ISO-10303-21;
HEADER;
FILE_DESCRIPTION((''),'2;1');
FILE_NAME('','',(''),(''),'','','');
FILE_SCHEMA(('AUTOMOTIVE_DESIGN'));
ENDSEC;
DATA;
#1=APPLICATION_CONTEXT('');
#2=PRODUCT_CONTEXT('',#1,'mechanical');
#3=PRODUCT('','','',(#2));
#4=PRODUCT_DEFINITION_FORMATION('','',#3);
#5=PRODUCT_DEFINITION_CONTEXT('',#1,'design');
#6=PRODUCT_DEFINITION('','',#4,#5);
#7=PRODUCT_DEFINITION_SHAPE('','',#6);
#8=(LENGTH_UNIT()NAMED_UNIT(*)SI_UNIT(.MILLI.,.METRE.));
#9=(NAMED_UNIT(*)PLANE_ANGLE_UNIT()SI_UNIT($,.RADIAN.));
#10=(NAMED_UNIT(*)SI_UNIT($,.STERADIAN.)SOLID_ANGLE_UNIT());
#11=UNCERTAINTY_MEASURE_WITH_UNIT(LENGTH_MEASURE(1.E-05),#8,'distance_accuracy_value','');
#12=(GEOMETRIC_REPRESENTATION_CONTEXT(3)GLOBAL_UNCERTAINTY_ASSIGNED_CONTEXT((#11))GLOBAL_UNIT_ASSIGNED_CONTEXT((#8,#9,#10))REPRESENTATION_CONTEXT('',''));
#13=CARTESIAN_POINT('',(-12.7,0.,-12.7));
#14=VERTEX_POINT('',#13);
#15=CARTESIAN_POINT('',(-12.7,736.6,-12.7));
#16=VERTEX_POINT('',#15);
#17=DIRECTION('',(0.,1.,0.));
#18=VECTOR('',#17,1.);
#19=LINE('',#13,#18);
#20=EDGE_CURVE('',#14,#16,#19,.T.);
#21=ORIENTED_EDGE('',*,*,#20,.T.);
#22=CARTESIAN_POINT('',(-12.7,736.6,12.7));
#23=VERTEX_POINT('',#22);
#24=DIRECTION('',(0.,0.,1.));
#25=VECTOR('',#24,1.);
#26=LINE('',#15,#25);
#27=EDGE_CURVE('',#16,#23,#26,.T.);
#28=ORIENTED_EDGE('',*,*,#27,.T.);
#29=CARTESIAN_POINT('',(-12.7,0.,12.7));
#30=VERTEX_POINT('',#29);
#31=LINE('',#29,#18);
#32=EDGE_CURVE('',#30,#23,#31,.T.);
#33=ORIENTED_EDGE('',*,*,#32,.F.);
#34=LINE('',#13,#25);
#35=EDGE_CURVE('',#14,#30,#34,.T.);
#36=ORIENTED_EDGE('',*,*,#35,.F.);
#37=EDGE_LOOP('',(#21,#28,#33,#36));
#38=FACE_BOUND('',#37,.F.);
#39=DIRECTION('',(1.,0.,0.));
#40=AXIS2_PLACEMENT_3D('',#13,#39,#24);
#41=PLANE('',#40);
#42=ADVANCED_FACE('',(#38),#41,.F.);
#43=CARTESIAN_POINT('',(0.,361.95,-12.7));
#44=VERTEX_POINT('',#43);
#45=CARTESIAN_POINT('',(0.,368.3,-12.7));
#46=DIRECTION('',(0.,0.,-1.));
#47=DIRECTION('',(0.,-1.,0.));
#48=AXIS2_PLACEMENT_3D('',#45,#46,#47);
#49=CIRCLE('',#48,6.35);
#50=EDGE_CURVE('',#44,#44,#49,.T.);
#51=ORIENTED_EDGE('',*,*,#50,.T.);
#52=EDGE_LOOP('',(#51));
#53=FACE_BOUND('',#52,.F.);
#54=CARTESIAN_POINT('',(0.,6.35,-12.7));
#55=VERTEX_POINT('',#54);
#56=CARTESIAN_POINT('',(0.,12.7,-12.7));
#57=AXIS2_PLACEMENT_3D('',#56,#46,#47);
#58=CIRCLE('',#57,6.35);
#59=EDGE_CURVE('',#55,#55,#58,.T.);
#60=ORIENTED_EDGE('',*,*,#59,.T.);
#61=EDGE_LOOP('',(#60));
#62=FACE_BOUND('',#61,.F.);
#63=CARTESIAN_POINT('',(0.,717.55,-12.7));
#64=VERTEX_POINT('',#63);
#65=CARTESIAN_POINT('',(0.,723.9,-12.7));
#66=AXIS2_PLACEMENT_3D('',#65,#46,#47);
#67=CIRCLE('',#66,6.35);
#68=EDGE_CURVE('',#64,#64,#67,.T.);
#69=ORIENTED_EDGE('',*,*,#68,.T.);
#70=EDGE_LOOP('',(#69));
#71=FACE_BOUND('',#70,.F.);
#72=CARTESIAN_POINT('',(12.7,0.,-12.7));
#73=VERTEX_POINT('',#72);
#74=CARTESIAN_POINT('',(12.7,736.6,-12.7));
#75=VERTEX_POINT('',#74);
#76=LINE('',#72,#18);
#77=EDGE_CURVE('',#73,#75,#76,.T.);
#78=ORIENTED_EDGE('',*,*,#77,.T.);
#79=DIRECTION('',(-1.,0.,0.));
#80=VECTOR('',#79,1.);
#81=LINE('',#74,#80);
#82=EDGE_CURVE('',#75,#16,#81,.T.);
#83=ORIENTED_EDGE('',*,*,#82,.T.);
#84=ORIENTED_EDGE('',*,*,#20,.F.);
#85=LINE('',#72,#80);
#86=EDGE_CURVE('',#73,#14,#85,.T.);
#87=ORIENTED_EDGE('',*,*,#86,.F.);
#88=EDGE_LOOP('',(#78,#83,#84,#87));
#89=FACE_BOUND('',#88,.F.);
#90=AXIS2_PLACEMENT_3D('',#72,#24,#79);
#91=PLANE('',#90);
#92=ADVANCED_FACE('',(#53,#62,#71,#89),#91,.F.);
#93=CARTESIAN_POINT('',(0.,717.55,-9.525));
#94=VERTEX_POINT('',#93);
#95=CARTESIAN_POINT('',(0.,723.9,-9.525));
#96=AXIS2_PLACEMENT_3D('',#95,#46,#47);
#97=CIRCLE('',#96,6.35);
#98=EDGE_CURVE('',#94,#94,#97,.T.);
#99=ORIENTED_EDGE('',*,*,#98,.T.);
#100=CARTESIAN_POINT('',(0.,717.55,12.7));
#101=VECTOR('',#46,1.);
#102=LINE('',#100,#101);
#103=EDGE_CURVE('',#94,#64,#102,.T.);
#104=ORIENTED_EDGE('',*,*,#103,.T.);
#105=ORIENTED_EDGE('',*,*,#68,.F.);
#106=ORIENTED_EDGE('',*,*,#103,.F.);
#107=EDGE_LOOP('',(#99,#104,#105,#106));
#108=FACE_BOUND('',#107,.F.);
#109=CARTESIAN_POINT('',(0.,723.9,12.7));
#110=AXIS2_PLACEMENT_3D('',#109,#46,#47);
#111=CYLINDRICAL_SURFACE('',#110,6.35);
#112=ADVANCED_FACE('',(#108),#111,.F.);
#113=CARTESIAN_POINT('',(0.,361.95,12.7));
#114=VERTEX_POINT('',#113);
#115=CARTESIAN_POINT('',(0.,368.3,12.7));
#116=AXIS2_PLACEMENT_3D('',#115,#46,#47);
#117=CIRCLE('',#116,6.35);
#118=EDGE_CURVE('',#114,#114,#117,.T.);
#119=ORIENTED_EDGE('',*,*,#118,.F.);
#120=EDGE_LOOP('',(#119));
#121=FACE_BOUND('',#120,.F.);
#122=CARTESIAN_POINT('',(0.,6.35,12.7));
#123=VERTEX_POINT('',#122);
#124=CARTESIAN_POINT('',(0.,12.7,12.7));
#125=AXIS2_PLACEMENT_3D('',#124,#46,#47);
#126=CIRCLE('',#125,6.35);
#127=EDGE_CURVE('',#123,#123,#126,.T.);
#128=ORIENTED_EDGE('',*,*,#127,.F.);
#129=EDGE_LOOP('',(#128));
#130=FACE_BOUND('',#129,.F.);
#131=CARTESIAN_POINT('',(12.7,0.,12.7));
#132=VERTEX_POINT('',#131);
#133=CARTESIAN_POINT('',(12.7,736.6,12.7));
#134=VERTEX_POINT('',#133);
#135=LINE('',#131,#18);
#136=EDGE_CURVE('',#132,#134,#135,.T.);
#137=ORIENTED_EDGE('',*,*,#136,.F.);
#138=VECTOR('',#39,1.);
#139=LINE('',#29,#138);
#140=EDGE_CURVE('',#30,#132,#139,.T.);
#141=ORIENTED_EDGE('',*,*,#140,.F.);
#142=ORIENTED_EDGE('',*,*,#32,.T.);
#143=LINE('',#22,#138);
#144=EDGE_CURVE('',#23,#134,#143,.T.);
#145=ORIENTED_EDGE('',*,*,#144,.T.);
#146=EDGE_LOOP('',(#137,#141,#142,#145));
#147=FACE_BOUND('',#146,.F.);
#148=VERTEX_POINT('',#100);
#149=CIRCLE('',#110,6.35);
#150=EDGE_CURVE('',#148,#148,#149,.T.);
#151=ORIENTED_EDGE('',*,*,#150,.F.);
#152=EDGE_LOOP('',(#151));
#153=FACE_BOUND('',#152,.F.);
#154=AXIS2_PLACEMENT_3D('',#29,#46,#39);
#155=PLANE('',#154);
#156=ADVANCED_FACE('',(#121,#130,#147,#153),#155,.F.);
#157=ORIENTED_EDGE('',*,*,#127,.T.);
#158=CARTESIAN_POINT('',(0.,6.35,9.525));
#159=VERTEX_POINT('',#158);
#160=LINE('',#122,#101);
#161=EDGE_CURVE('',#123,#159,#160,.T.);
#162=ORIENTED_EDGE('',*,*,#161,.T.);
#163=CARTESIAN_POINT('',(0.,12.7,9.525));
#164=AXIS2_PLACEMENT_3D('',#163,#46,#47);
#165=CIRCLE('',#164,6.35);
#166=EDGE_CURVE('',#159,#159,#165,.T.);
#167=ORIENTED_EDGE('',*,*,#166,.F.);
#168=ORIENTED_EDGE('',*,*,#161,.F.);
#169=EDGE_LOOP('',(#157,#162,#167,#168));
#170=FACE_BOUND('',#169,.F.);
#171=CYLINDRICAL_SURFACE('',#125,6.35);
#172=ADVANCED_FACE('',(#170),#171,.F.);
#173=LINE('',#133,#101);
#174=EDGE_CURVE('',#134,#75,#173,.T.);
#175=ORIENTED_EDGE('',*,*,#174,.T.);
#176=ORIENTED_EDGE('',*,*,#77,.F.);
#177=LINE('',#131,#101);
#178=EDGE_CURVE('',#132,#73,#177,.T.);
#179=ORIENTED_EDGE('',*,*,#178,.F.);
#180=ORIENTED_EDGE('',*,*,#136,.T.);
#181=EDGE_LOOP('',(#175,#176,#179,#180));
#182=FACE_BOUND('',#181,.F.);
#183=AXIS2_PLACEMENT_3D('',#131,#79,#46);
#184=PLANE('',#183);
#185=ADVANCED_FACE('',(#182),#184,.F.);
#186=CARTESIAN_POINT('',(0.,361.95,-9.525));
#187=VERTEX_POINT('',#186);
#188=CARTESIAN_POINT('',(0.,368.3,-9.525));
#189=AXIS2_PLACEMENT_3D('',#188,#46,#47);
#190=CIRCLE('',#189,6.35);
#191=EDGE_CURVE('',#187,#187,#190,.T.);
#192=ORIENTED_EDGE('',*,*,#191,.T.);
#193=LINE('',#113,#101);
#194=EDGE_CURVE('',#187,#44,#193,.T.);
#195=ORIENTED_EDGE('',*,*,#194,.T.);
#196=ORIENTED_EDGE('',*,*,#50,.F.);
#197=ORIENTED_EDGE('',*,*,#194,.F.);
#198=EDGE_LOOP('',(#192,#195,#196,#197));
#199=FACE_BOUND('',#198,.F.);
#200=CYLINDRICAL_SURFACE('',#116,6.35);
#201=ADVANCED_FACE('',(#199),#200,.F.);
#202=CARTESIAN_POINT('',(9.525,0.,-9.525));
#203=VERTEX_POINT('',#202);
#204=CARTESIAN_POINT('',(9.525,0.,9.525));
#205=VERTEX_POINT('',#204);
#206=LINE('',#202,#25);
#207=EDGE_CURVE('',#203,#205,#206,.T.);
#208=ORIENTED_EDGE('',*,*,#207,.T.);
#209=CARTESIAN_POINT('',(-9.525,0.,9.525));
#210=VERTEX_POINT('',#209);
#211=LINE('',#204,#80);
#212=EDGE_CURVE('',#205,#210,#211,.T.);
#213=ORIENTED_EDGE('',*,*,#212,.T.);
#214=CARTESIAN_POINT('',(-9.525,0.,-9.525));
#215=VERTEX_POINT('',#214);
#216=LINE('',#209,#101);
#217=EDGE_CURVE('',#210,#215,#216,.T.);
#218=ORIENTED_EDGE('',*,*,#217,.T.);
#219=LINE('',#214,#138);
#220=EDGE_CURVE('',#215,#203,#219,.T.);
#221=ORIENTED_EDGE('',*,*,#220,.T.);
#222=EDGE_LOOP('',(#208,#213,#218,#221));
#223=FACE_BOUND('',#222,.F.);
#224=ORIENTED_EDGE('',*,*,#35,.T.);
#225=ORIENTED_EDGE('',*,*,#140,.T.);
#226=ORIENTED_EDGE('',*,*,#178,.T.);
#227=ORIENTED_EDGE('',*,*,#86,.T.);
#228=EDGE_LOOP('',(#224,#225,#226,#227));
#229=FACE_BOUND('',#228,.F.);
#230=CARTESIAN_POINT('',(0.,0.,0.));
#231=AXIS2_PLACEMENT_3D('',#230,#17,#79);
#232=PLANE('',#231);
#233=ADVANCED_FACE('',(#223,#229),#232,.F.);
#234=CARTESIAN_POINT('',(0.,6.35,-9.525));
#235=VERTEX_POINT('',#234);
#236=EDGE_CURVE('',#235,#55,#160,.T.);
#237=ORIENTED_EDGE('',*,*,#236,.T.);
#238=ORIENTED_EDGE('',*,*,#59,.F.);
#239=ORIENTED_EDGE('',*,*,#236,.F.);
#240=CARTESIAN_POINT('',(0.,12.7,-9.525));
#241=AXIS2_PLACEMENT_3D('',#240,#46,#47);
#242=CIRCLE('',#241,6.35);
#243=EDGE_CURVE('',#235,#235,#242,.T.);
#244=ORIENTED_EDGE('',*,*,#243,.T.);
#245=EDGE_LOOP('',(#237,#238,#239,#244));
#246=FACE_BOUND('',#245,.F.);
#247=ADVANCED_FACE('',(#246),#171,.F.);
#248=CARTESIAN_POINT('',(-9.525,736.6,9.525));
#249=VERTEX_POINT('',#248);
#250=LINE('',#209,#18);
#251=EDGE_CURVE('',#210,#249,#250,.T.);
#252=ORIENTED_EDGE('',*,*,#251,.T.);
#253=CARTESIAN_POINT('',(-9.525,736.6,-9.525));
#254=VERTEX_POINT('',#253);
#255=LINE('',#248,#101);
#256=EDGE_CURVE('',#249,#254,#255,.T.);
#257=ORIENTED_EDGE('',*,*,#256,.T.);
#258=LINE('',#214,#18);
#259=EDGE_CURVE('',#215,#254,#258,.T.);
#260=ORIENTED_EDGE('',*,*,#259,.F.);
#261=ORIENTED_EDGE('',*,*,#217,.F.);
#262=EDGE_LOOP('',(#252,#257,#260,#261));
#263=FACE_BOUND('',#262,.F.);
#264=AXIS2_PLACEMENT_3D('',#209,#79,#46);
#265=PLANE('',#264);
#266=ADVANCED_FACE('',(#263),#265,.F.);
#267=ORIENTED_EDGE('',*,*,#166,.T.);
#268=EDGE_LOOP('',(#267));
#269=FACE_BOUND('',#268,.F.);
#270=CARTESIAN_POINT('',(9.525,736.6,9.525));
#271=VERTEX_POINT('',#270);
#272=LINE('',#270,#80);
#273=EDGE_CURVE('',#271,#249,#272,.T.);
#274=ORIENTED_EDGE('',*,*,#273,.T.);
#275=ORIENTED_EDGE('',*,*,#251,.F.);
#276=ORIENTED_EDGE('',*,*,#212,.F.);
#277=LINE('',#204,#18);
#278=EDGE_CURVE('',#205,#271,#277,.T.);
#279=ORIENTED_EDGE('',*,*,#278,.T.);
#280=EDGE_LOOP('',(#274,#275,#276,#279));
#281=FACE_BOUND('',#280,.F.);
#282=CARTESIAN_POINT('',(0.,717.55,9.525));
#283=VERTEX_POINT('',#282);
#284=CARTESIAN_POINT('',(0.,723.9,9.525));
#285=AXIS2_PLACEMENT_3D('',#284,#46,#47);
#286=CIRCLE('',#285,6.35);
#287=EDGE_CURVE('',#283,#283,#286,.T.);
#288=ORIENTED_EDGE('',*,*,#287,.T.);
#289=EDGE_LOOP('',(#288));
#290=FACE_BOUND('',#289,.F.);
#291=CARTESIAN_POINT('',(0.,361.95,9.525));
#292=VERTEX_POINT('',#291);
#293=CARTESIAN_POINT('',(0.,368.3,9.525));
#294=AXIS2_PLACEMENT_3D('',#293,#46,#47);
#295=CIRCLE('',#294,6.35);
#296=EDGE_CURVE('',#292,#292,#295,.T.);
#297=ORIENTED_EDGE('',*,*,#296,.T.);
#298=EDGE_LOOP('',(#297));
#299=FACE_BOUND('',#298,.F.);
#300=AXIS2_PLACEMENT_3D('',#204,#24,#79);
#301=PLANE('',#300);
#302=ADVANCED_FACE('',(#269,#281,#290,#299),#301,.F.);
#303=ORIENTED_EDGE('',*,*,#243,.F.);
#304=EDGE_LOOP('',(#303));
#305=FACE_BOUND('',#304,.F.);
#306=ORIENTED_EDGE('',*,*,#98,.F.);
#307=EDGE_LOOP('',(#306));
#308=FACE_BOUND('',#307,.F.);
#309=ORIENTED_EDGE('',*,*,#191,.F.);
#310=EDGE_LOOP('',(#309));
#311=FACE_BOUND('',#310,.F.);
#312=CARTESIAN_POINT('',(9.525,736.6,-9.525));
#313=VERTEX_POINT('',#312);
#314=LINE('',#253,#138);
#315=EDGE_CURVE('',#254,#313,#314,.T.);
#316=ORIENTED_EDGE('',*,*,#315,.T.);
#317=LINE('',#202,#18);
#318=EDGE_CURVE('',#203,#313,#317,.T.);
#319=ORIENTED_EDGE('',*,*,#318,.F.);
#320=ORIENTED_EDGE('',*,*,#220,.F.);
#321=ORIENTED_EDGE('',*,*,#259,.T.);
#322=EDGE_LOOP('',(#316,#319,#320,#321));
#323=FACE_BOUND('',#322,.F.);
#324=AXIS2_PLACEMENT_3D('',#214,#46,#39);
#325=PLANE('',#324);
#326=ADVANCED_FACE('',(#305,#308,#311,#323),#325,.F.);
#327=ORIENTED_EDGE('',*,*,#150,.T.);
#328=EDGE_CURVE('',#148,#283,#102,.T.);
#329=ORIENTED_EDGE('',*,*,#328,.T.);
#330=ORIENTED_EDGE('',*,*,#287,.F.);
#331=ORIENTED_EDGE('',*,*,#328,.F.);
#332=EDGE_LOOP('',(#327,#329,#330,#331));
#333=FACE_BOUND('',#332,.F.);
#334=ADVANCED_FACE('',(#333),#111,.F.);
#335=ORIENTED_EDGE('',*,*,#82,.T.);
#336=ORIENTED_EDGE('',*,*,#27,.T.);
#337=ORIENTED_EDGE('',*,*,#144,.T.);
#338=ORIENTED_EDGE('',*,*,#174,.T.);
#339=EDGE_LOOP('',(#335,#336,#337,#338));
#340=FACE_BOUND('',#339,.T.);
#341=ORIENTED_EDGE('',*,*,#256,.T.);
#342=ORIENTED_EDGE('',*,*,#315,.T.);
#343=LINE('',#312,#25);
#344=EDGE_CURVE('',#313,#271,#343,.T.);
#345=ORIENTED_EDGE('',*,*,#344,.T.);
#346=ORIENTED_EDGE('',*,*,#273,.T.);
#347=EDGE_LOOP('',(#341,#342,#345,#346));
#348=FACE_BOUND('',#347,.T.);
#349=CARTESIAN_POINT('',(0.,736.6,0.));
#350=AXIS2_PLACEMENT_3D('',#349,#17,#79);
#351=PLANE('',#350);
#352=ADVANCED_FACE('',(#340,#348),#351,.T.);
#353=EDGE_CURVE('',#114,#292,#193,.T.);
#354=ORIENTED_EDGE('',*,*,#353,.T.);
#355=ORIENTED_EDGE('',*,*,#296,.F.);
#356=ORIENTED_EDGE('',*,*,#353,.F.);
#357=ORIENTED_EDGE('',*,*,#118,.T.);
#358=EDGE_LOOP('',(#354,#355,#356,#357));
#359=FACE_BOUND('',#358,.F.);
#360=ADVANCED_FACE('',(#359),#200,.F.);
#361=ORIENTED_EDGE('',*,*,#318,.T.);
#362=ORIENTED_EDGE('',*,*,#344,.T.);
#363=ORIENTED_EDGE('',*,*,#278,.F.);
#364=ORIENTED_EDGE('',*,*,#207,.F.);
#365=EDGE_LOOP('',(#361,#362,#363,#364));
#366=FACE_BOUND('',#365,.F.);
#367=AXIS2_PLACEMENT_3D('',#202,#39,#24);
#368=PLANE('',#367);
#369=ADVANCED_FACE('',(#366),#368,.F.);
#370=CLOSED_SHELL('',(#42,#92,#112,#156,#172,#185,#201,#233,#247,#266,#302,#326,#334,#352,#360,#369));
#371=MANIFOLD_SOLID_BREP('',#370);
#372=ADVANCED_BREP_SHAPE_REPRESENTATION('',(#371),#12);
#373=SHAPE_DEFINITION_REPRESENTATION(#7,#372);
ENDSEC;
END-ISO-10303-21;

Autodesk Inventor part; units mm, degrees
ref_plane "YZ Plane" through (0, 0, 0) normal (1, 0, 0) x (0, 1, 0)
ref_plane "XZ Plane" through (0, 0, 0) normal (0, 1, 0) x (-1, 0, 0)
ref_plane "XY Plane" through (0, 0, 0) normal (0, 0, 1) x (1, 0, 0)
sketch "Sketch1" plane through (0, 0, 0) normal (0, 1, 0) x (-1, 0, 0)
  line L0 (12.7, 12.7) -> (-12.7, 12.7)
  line L1 (-12.7, 12.7) -> (-12.7, -12.7)
  line L2 (-12.7, -12.7) -> (12.7, -12.7)
  line L3 (12.7, -12.7) -> (12.7, 12.7)
  line L4 (-9.525, 9.525) -> (9.525, 9.525)
  line L5 (9.525, 9.525) -> (9.525, -9.525)
  line L6 (9.525, -9.525) -> (-9.525, -9.525)
  line L7 (-9.525, -9.525) -> (-9.525, 9.525)
  point P0 (0, 0)
  point P1 (12.7, 0)
  point P2 (0, -12.7)
  dimension "d0" = 25.4
  dimension "d1" = 25.4
  dimension "d2" = 3.175
extrude "Extrusion1" add sketch "Sketch1" along normal blind 736.6
sketch "Sketch2" plane through (-12.7, 0, 12.7) normal (0, 0, 1) x (1, 0, 0)
  line L0 (0, 736.6) -> (25.4, 736.6) projected
  line L1 (0, 0) -> (25.4, 0) projected
  point P0 (12.7, 0)
  point P1 (12.7, 12.7)
  point P2 (12.7, 723.9)
  point P3 (12.7, 368.3)
  dimension "d5" = 12.7
  dimension "d6" = 12.7
  dimension "d7" = 368.3
hole "Hole1" at (0, 12.7, 12.7) at (0, 723.9, 12.7) at (0, 368.3, 12.7) direction (0, 0, -1) diameter 12.7 end through all
sketch "Sketch3" plane through (-12.7, 0, 12.7) normal (0, 0, 1) x (1, 0, 0)
  line L0 (21.6869, 114.0639) -> (21.6869, 96.9638) construction
  line L1 (21.6869, 96.9638) -> (5.8083, 96.9638) construction
  line L2 (5.8083, 96.9638) -> (5.8083, 114.0639) construction
  line L3 (5.8083, 114.0639) -> (21.6869, 114.0639) construction
  point P0 (12.7, 0)
equation "\"d0\" = Tube_size"
equation "\"d1\" = Tube_size"
equation "\"d2\" = Wall_Thickness"
equation "\"d3\" = Bar2_1_Length"
equation "\"d5\" = Uper_Pivit_Offset_FromEdge"
equation "\"d6\" = Lower_Pivit_Offset_FromEdge"
equation "\"d7\" = Bar2_1_Center_Pivit_Offset_FromEdge"
equation "\"d8\" = Pin_Size"
equation "\"Bar1_1_Length\" = 736.6"
equation "\"Tube_size_1\" = 25.4"
equation "\"Wall_Thickness_1\" = 3.175"
equation "\"Lower_Pivit_Offset_FromEdge\" = 12.7"
equation "\"Uper_Pivit_Offset_FromEdge\" = 12.7"
equation "\"Bar1_1_Center_Pivit_Offset_FromEdge\" = 368.3"
equation "\"Bar1_2_Length\" = 736.6"
equation "\"Bar2_1_Length\" = 736.6"
equation "\"Bar2_2_Length\" = 736.6"
equation "\"Bar3_1_Length\" = 736.6"
equation "\"Bar3_2_Length\" = 736.6"
equation "\"Tube_size\" = 25.4"
equation "\"Wall_Thickness\" = 3.175"
equation "\"Bar1_2_Center_Pivit_Offset_FromEdge\" = 368.3"
equation "\"Bar2_1_Center_Pivit_Offset_FromEdge\" = 368.3"
equation "\"Bar2_2_Center_Pivit_Offset_FromEdge\" = 368.3"
equation "\"Bar3_1_Center_Pivit_Offset_FromEdge\" = 368.3"
equation "\"Bar4_2_Center_Pivit_Offset_FromEdge\" = 355.6"
equation "\"Pin_Size\" = 12.7"
equation "\"Bar3_2_Center_Pivit_Offset_FromEdge\" = 368.3"
properties part number "2018 Bar2_1"
